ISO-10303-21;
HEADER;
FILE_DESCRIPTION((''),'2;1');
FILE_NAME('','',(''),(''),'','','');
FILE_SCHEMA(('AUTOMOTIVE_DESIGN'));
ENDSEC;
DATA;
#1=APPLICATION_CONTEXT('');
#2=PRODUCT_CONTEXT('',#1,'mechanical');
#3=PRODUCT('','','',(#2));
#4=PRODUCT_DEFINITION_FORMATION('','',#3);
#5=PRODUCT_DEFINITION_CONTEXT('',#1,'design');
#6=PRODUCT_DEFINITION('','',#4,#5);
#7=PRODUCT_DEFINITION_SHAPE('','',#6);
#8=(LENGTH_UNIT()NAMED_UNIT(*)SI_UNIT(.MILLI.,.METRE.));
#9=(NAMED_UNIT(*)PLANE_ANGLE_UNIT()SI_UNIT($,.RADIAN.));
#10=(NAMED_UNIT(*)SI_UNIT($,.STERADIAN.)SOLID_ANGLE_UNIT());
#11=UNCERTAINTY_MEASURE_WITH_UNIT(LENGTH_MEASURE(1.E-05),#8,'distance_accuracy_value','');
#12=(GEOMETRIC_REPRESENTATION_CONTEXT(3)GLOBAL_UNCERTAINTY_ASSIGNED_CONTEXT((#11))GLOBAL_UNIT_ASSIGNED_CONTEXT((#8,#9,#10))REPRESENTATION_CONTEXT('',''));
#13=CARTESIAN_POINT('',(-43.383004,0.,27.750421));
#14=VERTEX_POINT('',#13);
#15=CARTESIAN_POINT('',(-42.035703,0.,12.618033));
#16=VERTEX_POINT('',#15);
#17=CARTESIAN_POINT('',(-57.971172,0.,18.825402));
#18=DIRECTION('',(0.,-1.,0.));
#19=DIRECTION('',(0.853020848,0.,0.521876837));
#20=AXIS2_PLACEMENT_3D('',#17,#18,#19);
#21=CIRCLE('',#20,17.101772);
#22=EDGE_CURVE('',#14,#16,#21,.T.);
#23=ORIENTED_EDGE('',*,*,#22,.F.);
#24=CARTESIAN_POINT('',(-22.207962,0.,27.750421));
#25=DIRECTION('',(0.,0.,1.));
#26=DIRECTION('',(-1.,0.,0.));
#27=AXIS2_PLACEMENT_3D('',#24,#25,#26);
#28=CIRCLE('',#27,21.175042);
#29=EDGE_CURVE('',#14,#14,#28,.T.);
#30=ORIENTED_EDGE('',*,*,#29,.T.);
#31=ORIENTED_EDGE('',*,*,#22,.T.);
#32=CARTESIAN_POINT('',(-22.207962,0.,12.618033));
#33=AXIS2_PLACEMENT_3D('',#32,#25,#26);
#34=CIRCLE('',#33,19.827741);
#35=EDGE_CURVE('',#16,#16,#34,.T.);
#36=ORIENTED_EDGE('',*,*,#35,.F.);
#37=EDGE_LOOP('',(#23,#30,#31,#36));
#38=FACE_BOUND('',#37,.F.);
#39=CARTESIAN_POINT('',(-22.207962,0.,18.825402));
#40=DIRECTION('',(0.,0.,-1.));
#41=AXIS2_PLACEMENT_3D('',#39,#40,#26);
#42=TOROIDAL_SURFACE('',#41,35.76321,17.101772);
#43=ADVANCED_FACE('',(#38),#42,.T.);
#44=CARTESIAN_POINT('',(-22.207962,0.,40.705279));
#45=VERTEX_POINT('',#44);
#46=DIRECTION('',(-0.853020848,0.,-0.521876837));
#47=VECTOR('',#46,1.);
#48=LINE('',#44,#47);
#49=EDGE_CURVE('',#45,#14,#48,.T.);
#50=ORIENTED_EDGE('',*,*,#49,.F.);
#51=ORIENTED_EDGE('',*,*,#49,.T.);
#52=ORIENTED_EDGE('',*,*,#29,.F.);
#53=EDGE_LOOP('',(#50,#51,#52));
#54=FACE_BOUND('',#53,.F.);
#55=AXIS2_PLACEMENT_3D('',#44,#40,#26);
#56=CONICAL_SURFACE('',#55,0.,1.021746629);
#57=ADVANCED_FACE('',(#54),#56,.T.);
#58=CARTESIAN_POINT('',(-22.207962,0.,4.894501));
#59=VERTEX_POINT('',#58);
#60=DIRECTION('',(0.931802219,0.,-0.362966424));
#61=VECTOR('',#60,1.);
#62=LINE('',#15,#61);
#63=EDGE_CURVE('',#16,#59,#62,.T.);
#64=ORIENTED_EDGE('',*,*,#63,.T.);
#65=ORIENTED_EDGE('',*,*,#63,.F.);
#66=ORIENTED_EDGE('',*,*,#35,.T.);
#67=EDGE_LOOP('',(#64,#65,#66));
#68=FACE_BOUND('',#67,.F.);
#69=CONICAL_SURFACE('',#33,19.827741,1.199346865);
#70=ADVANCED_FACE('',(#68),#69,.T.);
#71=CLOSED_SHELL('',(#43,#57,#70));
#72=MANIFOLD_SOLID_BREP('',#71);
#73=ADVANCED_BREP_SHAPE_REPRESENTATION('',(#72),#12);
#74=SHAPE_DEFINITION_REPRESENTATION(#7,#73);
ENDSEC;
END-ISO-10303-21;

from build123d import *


with BuildPart() as f1:
    # F0 (on Front) → F1 (revolve)
    with BuildSketch(Plane.XZ):
        with BuildLine():
            ThreePointArc((-43.383004, 27.750421), (-41.509791, 23.461515), (-40.8694, 18.825402))
            ThreePointArc((-40.8694, 18.825402), (-41.163505, 15.667409), (-42.035703, 12.618033))
            Line((-42.035703, 12.618033), (-22.207962, 4.894501))
            Line((-22.207962, 4.894501), (-22.207962, 40.705279))
            Line((-22.207962, 40.705279), (-43.383004, 27.750421))
        make_face()
        with BuildLine():
            Line((-57.971172, 18.825402), (-43.383004, 27.750421))
            ThreePointArc((-43.383004, 27.750421), (-75.005561, 17.308758), (-42.035703, 12.618033))
            Line((-42.035703, 12.618033), (-57.971172, 18.825402))
        make_face()
        with BuildLine():
            ThreePointArc((-42.035703, 12.618033), (-41.163505, 15.667409), (-40.8694, 18.825402))
            ThreePointArc((-40.8694, 18.825402), (-41.509791, 23.461515), (-43.383004, 27.750421))
            Line((-43.383004, 27.750421), (-57.971172, 18.825402))
            Line((-57.971172, 18.825402), (-42.035703, 12.618033))
        make_face()
    revolve(axis=Axis((-22.207962, 0, 22.79989), (0, 0, 1)))


solid = f1.part
